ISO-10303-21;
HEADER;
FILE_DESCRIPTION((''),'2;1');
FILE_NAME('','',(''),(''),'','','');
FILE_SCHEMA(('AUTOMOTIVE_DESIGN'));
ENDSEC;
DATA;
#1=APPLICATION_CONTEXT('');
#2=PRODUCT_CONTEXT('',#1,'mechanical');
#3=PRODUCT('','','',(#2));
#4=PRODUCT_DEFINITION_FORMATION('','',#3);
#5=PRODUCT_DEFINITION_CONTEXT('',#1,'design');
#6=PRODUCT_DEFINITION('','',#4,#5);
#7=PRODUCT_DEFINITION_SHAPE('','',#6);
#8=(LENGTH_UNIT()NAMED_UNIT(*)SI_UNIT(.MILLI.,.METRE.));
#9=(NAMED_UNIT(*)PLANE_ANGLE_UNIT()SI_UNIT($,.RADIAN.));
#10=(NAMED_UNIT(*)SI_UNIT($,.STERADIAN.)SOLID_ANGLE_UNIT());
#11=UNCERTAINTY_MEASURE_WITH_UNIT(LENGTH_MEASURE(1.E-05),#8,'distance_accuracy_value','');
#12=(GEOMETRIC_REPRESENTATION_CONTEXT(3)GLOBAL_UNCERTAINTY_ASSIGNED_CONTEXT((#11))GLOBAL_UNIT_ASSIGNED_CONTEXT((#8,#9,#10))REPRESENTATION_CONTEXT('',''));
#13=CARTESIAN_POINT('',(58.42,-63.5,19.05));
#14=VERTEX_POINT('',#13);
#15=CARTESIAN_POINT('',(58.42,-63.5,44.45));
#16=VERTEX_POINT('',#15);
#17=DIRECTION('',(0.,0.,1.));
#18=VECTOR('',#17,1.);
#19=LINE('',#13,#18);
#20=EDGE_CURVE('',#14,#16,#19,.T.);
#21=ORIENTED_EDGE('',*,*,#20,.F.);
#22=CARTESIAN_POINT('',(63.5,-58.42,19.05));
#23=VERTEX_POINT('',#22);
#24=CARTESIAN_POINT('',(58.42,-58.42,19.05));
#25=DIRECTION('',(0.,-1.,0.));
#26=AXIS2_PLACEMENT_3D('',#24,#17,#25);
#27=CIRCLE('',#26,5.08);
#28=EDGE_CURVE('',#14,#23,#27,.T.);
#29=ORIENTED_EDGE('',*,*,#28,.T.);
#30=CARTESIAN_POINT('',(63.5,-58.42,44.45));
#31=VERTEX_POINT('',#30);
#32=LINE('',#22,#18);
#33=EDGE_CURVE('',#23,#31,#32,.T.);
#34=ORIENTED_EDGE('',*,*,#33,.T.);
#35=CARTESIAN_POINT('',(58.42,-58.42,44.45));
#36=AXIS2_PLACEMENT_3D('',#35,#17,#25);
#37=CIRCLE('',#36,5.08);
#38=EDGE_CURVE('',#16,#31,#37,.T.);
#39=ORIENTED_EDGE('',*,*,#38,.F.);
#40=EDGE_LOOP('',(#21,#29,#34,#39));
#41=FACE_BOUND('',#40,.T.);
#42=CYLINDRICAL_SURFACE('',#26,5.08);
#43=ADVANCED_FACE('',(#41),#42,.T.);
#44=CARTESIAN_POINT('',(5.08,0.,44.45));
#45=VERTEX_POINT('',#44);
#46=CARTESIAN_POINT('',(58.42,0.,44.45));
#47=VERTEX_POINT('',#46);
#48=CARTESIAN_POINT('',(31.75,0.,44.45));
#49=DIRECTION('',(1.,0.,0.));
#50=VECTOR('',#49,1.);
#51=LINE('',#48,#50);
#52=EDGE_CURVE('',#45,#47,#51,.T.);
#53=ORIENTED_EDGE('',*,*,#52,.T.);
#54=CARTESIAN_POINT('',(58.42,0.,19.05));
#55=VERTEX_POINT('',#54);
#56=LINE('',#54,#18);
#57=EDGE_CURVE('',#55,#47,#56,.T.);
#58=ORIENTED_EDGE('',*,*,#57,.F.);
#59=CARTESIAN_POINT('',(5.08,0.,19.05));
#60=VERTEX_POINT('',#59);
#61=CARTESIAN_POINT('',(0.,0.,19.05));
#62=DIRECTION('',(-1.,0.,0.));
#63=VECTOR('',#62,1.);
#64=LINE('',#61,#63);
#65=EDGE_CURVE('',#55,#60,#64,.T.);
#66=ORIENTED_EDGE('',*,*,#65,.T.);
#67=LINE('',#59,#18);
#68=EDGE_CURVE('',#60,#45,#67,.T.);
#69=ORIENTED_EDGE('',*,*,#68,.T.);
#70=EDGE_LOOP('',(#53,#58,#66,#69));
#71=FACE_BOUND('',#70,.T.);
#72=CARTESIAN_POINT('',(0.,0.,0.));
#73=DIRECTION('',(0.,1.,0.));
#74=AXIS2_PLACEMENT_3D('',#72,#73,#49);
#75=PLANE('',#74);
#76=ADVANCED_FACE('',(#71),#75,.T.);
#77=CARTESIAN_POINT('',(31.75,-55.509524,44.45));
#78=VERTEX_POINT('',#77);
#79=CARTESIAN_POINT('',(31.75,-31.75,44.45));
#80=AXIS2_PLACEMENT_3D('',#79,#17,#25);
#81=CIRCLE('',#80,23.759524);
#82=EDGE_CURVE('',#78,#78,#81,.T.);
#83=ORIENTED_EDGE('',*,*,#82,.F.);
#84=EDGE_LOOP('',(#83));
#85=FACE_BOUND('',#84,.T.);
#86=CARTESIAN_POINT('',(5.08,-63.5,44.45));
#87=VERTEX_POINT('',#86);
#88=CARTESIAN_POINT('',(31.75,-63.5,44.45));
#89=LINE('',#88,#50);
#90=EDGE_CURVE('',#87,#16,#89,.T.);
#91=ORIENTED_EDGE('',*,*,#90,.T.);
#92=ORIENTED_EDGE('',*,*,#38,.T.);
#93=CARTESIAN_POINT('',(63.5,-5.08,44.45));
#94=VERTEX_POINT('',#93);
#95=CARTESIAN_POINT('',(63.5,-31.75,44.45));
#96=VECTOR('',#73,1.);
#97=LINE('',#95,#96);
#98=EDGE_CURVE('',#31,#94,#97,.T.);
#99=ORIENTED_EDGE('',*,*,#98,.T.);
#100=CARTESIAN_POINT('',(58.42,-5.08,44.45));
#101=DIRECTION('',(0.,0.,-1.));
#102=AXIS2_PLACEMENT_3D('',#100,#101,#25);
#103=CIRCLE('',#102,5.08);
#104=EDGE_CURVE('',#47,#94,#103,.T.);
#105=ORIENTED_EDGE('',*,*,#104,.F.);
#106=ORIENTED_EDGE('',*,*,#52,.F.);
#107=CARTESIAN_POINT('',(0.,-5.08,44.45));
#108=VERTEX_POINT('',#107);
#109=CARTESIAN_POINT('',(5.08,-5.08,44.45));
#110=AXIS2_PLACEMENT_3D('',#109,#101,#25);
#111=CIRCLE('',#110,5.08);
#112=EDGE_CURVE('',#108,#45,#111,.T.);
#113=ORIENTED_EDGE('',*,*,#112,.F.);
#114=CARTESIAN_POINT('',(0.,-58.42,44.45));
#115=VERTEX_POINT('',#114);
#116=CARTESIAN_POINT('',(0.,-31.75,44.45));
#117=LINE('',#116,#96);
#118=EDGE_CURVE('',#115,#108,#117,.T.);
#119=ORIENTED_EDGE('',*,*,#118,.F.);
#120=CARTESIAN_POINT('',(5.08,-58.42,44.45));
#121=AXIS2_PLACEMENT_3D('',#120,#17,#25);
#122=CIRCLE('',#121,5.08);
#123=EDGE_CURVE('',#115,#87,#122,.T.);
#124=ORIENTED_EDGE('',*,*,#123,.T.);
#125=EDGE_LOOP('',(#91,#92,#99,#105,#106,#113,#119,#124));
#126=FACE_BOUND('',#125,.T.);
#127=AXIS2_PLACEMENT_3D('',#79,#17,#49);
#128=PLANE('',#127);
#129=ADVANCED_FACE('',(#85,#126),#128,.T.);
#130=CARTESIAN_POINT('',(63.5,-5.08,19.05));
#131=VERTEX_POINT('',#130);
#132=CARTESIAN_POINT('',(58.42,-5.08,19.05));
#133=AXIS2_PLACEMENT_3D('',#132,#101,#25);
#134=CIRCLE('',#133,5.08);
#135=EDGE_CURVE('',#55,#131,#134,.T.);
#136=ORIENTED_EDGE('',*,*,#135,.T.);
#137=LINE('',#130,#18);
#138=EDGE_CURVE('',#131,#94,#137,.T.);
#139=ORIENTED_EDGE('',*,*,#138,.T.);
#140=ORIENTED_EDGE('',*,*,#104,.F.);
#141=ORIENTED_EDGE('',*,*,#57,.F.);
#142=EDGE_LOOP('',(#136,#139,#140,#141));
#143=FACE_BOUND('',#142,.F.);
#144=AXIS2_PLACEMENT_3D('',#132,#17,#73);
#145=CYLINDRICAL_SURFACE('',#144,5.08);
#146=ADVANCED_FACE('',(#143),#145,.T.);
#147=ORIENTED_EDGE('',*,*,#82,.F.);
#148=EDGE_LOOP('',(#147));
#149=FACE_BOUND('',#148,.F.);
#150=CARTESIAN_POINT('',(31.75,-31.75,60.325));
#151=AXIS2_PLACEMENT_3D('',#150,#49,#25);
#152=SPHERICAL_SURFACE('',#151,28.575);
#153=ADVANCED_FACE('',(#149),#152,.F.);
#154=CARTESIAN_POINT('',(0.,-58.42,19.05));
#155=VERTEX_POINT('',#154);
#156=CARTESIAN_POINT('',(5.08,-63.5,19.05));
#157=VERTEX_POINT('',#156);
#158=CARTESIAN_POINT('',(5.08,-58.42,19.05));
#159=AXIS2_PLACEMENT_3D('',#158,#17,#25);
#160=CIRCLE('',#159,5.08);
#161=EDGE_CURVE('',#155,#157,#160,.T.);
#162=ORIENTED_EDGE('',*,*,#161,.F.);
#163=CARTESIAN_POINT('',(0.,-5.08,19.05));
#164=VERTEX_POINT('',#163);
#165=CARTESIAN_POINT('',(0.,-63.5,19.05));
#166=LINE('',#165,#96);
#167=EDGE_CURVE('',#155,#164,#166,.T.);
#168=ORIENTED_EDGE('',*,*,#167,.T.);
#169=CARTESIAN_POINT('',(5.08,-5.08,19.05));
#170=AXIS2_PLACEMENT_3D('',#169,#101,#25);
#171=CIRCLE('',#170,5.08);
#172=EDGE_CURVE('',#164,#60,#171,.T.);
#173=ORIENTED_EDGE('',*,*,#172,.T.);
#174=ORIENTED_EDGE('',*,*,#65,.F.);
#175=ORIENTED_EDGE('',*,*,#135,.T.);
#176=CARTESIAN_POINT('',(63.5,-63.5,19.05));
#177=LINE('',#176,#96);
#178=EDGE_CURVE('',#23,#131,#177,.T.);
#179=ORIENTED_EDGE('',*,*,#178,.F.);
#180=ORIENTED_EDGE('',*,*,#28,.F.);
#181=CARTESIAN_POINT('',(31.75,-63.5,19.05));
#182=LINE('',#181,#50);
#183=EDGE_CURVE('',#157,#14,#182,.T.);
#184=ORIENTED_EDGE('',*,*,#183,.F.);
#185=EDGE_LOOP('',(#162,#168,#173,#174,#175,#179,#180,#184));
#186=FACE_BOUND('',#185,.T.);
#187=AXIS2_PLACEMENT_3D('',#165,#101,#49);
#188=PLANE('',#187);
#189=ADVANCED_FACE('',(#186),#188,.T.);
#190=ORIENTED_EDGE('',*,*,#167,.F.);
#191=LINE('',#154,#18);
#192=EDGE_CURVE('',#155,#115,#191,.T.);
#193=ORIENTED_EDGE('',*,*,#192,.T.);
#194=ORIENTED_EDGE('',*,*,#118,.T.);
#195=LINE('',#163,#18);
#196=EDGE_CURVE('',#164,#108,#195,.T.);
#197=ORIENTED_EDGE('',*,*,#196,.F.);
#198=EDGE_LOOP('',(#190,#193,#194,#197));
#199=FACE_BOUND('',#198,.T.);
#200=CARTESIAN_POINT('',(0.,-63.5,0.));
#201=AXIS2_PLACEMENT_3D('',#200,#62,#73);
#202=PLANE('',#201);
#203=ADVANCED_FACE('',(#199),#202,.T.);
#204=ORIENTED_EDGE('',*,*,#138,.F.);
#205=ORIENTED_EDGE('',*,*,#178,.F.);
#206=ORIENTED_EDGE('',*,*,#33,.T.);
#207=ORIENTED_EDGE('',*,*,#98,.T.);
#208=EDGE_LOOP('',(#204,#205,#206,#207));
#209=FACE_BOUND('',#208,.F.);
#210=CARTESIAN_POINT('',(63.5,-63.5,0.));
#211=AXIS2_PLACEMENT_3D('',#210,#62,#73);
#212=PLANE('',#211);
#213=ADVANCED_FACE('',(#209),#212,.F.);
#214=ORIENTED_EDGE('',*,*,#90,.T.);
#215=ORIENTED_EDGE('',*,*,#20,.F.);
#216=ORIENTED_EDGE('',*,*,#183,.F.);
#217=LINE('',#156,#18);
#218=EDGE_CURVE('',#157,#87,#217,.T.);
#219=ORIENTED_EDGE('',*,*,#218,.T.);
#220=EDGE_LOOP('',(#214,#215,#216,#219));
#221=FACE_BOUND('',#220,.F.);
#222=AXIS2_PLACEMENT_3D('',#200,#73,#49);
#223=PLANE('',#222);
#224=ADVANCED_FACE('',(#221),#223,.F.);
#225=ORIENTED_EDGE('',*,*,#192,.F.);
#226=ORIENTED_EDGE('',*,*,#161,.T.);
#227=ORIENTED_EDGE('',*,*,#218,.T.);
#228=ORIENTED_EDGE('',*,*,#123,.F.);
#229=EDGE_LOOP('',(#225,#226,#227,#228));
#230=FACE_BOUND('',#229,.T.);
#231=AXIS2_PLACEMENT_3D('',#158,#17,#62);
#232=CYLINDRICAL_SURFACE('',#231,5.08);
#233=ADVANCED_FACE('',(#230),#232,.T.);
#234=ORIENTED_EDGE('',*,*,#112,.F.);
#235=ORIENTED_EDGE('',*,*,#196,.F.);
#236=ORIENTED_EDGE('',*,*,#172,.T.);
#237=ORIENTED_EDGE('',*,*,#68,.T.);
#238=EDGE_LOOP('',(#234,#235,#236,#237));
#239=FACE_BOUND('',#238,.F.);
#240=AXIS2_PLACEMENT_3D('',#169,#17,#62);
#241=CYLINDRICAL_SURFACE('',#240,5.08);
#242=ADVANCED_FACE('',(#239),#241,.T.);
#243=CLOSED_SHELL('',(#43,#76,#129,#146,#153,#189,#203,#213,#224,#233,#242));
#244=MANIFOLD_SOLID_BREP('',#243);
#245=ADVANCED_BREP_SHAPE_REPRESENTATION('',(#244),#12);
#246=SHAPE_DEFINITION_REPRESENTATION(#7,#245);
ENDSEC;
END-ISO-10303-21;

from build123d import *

# Parameters (mm, degrees)
F0_W     = 63.5
F0_H     = 63.5
F1_DEPTH = 44.45
F5_W     = 63.5
F5_H     = 19.05
F6_DEPTH = 63.501
F7_R     = 5.08


with BuildPart() as f1:
    # F0 (on Top) → F1 (new body)
    with BuildSketch(Plane.XY):
        with Locations((31.75, -31.75)):
            Rectangle(F0_W, F0_H)
    extrude(amount=F1_DEPTH)

    # F3 (on offset) → F4 (revolve, cut)
    with BuildSketch(Plane.XY.offset(60.325)):
        with BuildLine():
            Line((60.325, -31.75), (3.175, -31.75))
            ThreePointArc((3.175, -31.75), (31.75, -60.325), (60.325, -31.75))
        make_face()
    revolve(axis=Axis((31.75, -31.75, 60.325), (1, 0, 0)), mode=Mode.SUBTRACT)

    # F5 (on face) → F6 (cut, through all)
    with BuildSketch(Plane.XZ.offset(63.5)):
        with Locations((31.75, 9.525)):
            Rectangle(F5_W, F5_H)
    extrude(amount=-F6_DEPTH, mode=Mode.SUBTRACT)

    # F7
    f7_edges = [f1.edges().sort_by_distance(p)[0] for p in [
        (63.5, -63.5, 31.75),
        (63.5, 0, 31.75),
        (0, 0, 31.75),
        (0, -63.5, 31.75),
    ]]
    fillet(f7_edges, radius=F7_R)


solid = f1.part
